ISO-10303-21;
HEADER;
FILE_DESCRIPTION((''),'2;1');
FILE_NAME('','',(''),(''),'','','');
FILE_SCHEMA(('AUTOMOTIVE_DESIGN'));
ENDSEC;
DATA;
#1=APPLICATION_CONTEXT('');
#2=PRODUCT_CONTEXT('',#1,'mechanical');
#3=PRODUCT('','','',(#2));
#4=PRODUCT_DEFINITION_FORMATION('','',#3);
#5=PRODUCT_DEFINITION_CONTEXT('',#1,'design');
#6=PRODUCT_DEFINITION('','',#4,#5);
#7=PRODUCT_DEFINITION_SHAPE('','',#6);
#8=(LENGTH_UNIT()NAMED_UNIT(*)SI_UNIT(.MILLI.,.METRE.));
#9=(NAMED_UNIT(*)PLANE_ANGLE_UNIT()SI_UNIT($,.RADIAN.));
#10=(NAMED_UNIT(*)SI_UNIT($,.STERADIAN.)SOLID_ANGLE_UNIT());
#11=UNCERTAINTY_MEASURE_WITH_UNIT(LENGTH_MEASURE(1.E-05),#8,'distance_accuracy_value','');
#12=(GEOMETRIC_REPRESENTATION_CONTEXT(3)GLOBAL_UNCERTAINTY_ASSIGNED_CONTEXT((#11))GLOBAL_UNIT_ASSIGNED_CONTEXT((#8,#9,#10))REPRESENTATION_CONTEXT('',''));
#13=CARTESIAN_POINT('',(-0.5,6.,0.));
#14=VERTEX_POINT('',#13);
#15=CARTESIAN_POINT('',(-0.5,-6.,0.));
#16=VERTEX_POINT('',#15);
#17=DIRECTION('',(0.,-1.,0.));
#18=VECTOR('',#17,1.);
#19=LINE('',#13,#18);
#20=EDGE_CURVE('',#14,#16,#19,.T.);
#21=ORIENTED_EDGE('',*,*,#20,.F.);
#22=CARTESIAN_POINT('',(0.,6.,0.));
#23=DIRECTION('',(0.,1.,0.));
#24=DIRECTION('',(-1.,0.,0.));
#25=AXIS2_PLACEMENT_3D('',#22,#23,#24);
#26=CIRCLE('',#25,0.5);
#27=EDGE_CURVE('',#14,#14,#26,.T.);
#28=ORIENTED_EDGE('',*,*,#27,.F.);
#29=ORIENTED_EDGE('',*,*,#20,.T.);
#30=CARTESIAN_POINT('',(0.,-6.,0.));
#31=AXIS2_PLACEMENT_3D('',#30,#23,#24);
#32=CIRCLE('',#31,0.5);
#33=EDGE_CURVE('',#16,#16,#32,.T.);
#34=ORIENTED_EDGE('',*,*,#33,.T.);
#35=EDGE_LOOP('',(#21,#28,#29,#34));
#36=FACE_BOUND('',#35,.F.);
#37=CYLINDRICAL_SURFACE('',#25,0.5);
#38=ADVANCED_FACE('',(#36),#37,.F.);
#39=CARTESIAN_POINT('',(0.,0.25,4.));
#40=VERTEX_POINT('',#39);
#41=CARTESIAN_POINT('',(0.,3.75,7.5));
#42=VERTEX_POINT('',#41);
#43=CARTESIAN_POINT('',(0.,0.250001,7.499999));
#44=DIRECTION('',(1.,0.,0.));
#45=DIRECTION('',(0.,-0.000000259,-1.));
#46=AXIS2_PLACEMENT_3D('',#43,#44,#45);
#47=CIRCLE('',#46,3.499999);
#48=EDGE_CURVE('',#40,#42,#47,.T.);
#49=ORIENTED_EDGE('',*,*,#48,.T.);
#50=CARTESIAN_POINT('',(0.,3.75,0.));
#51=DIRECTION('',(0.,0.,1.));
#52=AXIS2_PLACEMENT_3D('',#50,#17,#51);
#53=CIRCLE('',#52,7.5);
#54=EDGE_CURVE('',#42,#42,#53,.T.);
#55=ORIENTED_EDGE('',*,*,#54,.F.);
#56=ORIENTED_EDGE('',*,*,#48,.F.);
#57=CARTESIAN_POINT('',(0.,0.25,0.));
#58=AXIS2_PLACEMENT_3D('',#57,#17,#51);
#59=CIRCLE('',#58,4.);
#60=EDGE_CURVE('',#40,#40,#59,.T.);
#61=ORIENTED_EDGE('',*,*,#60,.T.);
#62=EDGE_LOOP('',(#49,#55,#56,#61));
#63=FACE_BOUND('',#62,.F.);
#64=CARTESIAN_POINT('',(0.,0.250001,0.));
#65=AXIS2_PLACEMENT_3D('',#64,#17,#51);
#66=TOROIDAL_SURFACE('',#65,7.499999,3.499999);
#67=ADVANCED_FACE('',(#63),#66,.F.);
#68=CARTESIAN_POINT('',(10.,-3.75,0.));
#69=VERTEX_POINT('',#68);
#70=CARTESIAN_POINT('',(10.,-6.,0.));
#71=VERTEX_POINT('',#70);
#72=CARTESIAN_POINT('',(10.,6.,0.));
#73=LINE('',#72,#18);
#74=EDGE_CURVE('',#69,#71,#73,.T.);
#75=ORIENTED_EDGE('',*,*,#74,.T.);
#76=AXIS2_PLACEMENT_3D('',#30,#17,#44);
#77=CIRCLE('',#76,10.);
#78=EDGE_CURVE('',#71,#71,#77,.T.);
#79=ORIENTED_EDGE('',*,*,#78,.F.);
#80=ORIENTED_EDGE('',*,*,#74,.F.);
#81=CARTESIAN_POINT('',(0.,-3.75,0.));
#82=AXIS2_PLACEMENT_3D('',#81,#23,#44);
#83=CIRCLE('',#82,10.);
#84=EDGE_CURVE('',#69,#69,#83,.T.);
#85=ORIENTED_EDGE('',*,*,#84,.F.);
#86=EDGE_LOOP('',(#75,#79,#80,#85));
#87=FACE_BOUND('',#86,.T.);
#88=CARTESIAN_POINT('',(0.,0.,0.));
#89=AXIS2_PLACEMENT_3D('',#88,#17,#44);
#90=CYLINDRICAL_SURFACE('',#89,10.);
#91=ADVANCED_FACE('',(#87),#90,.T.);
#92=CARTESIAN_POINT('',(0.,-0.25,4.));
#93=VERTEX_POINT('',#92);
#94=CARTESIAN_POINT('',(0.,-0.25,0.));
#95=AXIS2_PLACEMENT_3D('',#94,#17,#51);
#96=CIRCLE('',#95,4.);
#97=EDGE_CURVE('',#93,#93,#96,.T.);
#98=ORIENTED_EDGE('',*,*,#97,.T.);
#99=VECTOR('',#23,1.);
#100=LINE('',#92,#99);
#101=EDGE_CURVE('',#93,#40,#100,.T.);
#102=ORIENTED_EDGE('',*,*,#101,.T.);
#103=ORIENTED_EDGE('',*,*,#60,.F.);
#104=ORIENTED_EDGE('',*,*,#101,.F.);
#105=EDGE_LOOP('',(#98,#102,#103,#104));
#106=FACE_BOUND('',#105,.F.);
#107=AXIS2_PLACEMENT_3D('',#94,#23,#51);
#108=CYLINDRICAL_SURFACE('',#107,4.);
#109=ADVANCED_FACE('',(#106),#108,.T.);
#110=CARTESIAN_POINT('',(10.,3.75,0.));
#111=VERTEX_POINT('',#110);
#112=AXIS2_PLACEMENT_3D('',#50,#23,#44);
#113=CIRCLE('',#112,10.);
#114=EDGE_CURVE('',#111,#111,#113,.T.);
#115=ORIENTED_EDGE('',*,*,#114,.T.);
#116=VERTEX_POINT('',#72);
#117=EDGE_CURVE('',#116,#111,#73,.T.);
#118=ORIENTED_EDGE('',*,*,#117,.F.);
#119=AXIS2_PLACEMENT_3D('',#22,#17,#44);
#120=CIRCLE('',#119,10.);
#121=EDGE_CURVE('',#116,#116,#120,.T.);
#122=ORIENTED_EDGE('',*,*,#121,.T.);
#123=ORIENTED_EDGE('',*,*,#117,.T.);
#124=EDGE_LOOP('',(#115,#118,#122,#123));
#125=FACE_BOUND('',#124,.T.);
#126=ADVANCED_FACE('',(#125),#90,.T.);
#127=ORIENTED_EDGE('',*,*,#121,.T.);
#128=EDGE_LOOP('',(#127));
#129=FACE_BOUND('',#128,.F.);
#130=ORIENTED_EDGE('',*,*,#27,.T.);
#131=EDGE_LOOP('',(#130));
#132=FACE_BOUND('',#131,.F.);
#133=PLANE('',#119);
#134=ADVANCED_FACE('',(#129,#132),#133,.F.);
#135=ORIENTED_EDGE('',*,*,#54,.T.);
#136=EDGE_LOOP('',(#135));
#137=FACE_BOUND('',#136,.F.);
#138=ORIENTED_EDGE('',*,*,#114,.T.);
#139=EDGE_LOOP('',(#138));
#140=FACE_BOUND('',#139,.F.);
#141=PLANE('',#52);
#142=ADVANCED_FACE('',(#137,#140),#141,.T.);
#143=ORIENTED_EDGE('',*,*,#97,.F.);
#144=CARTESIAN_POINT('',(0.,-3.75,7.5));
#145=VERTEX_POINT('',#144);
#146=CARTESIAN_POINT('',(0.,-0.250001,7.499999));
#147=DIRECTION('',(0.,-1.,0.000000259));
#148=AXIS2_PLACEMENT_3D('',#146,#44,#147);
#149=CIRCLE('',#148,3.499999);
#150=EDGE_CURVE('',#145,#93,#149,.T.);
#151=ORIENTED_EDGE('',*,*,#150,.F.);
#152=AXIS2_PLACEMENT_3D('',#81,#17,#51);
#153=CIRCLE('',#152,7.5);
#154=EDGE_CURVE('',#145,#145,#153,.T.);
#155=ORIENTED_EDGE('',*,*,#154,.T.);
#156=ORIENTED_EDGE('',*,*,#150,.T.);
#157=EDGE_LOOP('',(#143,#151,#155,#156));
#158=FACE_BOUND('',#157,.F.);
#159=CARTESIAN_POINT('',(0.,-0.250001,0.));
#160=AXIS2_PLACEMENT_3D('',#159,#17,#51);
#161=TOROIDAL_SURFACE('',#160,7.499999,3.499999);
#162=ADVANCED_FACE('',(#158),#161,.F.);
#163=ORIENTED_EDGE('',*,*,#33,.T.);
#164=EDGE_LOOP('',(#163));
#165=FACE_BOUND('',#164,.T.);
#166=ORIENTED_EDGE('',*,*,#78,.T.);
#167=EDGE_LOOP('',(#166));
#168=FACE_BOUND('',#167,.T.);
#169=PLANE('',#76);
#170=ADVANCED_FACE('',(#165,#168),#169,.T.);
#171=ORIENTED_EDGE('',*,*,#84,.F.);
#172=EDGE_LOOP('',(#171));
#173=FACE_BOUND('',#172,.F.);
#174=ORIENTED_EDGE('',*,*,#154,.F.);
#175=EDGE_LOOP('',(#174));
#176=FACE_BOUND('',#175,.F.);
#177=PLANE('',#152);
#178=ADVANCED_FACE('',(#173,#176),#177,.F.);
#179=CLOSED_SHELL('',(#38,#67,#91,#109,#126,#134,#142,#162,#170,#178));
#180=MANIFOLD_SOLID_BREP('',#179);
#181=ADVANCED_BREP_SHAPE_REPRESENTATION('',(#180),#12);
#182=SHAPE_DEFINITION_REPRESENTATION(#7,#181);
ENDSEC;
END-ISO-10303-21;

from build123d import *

# Parameters (mm, degrees)
F0_R     = 10
F1_DEPTH = 6
F5_R     = 0.5
F6_DEPTH = 12.001


with BuildPart() as f1:
    # F0 (on Front) → F1 (new body, symmetric)
    with BuildSketch(Plane.XZ):
        Circle(F0_R)
    extrude(amount=F1_DEPTH, both=True)

    # F3 (on Right) → F4 (revolve, cut)
    with BuildSketch(Plane.YZ):
        with BuildLine():
            Line((3.75, 10), (-3.75, 10))
            Line((-3.75, 10), (-3.75, 7.5))
            ThreePointArc((-3.75, 7.5), (-2.724874, 5.025126), (-0.25, 4))
            Line((-0.25, 4), (0.25, 4))
            ThreePointArc((0.25, 4), (2.724874, 5.025126), (3.75, 7.5))
            Line((3.75, 7.5), (3.75, 10))
        make_face()
    revolve(axis=Axis((0, -0.154715, 0), (0, -1, 0)), mode=Mode.SUBTRACT)

    # F5 (on face) → F6 (cut, through all)
    with BuildSketch(Plane(origin=(0, 6, 0), x_dir=(-1, 0, 0), z_dir=(0, 1, 0))):
        Circle(F5_R)
    extrude(amount=-F6_DEPTH, mode=Mode.SUBTRACT)


solid = f1.part
